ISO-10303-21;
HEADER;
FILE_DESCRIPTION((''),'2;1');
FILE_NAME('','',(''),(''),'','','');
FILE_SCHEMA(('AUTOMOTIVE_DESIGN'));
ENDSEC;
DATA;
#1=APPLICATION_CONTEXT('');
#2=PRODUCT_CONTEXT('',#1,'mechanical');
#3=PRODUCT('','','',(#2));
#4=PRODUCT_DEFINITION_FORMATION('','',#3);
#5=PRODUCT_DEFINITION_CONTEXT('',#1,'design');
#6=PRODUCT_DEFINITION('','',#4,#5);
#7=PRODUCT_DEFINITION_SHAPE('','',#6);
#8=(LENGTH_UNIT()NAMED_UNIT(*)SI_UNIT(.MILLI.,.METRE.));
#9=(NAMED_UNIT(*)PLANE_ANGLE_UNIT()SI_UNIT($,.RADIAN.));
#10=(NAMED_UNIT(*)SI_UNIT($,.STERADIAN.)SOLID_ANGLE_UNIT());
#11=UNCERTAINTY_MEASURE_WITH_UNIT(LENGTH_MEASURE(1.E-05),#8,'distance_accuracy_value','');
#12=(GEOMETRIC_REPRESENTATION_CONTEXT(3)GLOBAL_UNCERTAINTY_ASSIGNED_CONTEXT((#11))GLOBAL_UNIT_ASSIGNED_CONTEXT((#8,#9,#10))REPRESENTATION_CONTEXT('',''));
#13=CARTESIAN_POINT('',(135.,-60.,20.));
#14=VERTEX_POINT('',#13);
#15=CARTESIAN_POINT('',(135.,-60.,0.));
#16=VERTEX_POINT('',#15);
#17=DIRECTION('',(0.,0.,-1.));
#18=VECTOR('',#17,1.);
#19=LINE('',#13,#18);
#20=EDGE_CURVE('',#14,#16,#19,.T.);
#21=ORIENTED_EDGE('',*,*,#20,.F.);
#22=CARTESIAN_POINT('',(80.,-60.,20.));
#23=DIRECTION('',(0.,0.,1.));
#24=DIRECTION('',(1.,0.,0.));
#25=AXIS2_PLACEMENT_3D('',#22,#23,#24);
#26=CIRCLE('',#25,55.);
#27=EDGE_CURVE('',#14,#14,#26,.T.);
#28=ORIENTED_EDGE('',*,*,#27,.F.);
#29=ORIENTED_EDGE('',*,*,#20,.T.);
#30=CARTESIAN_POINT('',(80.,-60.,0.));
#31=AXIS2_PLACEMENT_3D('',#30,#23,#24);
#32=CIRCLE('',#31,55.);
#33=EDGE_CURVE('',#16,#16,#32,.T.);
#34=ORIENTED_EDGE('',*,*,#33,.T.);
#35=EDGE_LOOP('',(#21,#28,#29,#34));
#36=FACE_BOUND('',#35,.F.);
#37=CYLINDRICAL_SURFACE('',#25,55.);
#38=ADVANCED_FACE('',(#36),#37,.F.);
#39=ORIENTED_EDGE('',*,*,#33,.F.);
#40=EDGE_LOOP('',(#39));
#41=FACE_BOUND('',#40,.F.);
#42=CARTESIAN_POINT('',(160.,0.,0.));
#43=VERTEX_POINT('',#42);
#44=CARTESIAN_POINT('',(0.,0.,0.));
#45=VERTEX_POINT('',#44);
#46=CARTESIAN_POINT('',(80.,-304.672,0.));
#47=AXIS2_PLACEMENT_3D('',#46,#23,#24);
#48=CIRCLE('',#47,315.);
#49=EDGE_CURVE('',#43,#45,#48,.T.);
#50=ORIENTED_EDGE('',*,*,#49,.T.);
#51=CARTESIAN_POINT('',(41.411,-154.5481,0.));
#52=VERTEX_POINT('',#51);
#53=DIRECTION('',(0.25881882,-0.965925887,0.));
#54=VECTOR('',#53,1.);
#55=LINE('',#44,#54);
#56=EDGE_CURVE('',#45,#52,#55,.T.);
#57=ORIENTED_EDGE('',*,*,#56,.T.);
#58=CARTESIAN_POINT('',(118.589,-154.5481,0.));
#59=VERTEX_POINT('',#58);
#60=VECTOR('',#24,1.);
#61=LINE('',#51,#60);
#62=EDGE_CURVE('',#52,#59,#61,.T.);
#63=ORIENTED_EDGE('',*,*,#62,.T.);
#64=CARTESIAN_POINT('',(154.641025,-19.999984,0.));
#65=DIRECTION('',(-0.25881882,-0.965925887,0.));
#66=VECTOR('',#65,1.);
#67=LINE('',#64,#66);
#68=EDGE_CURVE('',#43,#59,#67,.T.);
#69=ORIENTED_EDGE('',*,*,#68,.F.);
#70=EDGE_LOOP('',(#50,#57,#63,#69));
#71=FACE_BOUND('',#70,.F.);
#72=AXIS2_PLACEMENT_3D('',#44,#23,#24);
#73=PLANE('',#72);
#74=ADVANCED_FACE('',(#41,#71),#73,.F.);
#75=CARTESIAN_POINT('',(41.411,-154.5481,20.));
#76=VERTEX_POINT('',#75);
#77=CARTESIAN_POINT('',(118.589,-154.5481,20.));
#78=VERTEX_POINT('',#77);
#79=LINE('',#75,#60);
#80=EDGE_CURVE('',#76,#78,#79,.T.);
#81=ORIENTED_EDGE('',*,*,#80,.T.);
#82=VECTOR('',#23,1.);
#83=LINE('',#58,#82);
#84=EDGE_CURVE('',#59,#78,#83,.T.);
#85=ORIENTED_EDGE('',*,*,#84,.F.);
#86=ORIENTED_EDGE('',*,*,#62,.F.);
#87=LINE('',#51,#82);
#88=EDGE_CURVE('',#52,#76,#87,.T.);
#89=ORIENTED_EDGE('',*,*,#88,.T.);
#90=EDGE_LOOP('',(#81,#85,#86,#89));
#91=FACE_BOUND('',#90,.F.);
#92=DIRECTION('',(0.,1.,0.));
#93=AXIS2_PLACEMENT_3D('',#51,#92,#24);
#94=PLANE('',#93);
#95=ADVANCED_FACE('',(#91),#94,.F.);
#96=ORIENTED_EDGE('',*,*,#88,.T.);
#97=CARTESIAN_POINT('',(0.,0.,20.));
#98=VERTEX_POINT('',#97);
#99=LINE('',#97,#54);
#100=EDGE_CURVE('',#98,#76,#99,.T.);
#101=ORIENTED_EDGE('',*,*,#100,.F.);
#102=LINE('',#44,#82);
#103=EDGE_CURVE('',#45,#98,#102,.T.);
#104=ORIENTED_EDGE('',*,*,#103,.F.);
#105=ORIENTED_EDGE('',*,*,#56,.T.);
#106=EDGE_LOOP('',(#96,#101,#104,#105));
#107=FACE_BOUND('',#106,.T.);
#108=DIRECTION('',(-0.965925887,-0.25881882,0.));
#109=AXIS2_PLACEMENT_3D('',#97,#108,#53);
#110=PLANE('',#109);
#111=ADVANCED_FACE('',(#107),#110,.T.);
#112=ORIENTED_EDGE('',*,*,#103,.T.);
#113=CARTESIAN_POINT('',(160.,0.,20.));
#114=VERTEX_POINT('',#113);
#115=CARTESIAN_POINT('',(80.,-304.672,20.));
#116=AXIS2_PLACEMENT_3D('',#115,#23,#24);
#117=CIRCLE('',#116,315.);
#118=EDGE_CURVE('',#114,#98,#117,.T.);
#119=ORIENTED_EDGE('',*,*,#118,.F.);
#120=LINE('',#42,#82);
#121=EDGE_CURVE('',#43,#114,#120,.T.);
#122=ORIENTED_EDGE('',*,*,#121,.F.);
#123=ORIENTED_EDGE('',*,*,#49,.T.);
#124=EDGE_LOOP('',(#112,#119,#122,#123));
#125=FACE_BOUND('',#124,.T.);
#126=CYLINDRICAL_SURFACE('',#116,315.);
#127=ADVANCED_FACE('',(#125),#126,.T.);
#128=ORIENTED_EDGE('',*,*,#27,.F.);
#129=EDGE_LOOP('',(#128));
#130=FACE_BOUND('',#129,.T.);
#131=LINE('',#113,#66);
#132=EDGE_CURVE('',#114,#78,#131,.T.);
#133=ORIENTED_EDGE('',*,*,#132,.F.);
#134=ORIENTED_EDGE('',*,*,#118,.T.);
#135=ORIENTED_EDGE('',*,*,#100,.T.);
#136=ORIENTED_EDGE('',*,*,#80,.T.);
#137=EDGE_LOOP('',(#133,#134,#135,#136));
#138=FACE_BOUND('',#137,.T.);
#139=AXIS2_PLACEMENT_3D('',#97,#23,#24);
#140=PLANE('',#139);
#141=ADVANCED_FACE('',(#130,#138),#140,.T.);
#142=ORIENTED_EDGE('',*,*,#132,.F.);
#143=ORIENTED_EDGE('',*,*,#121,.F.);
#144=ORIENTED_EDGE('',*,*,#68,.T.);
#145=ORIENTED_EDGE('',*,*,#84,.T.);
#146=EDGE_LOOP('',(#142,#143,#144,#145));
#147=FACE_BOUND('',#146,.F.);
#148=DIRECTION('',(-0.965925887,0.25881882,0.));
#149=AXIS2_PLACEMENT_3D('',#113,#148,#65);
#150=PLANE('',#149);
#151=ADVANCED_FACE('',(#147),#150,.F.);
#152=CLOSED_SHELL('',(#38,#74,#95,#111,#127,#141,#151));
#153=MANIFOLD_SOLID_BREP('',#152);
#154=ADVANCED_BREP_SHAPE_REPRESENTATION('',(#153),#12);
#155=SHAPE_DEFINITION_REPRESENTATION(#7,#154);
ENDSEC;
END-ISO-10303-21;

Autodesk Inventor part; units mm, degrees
ref_plane "YZ Plane" through (0, 0, 0) normal (1, 0, 0) x (0, 1, 0)
ref_plane "XZ Plane" through (0, 0, 0) normal (0, 1, 0) x (-1, 0, 0)
ref_plane "XY Plane" through (0, 0, 0) normal (0, 0, 1) x (1, 0, 0)
sketch "Sketch1" plane through (0, 0, 0) normal (0, 0, 1) x (1, 0, 0)
  line L0 (0, 0) -> (160, 0)
  line L1 (160, 0) -> (118.589, -154.5481)
  line L2 (0, 0) -> (41.411, -154.5481)
  line L3 (41.411, -154.5481) -> (118.589, -154.5481)
  dimension "d0" = 160
  dimension "d1" = 160
  dimension "d2" = 160
  dimension "d3" = 75
  dimension "d4" = 75
extrude "Extrusion1" add sketch "Sketch1" along normal blind 20
sketch "Sketch5" plane through (0, 0, 20) normal (0, 0, 1) x (1, 0, 0)
  line L0 (160, 0) -> (0, 0) projected
  line L1 (160, 0) -> (256.5926, -25.8819)
  line L2 (118.589, -154.5481) -> (41.411, -154.5481) projected
  line L3 (118.589, -154.5481) -> (215.1815, -180.43)
  circle A0 centre (235.8871, -103.156) radius 80 construction
  arc A1 (215.1815, -180.43) -> (256.5926, -25.8819) centre (235.8871, -103.156) ccw
  line L4 (160, 0) -> (118.589, -154.5481)
  line L5 (0, 0) -> (41.411, -154.5481) projected
  line L6 (0, 0) -> (-96.5926, -25.8819)
  line L7 (41.411, -154.5481) -> (118.589, -154.5481) projected
  line L8 (41.411, -154.5481) -> (-55.1815, -180.43)
  circle A2 centre (-75.8871, -103.156) radius 80 construction
  arc A3 (-96.5926, -25.8819) -> (-55.1815, -180.43) centre (-75.8871, -103.156) ccw
  point P0 (90, 0)
  dimension "d25" = 100
  dimension "d26" = 100
  dimension "d27" = 160
  dimension "d30" = 100
  dimension "d31" = 100
  dimension "d32" = 160
extrude "Extrusion5" add sketch "Sketch5" against normal blind 20 contours L1 A1 L3 L4 | L5 L8 A3 L6
sketch "Sketch8" plane through (0, 0, 20) normal (0, 0, 1) x (1, 0, 0)
  line L0 (41.411, -154.5481) -> (118.589, -154.5481) projected
  line L1 (0, 0) -> (41.411, -154.5481)
  line L2 (0, 0) -> (160, 0) projected
  line L3 (160, 0) -> (118.589, -154.5481)
  line L4 (0, 0) -> (160, 0)
  line L5 (0, 0) -> (-96.5926, -25.8819) projected
  arc A0 (-96.5926, -25.8819) -> (-55.1815, -180.43) centre (-75.8871, -103.156) ccw projected
  line L6 (-55.1815, -180.43) -> (41.411, -154.5481) projected
  line L7 (215.1815, -180.43) -> (118.589, -154.5481) projected
  arc A1 (215.1815, -180.43) -> (256.5926, -25.8819) centre (235.8871, -103.156) ccw projected
  line L8 (160, 0) -> (256.5926, -25.8819) projected
  line L9 (160, 0) -> (0, 0) projected
  line L10 (160, 0) -> (256.5926, -25.8819) projected
  line L11 (0, 0) -> (160, 0)
  point P0 (90, 0)
  point P1 (70, 0)
extrude "Extrusion7" cut sketch "Sketch8" against normal through all contours L6 A0 L5 L1 | L3 L8 A1 L7
sketch "Sketch9" plane through (0, 0, 20) normal (0, 0, 1) x (1, 0, 0)
  circle A0 centre (80, -304.672) radius 315
  line L0 (0, 0) -> (160, 0)
  dimension "d37" = 630
extrude "Extrusion8" add sketch "Sketch9" against normal blind 20 contours L0 A0 picked at (60.8492, 1.6815)
sketch "Sketch10" plane through (0, 0, 20) normal (0, 0, 1) x (1, 0, 0)
  circle A0 centre (80, -60) radius 55
  line L0 (41.411, -154.5481) -> (118.589, -154.5481) projected
  point P0 (0, 0)
  point P1 (80, -154.5481)
  dimension "d40" = 110
  dimension "d41" = 60
extrude "Extrusion9" cut sketch "Sketch10" against normal through all
properties part number "HA002" material "ABS Plastic"
